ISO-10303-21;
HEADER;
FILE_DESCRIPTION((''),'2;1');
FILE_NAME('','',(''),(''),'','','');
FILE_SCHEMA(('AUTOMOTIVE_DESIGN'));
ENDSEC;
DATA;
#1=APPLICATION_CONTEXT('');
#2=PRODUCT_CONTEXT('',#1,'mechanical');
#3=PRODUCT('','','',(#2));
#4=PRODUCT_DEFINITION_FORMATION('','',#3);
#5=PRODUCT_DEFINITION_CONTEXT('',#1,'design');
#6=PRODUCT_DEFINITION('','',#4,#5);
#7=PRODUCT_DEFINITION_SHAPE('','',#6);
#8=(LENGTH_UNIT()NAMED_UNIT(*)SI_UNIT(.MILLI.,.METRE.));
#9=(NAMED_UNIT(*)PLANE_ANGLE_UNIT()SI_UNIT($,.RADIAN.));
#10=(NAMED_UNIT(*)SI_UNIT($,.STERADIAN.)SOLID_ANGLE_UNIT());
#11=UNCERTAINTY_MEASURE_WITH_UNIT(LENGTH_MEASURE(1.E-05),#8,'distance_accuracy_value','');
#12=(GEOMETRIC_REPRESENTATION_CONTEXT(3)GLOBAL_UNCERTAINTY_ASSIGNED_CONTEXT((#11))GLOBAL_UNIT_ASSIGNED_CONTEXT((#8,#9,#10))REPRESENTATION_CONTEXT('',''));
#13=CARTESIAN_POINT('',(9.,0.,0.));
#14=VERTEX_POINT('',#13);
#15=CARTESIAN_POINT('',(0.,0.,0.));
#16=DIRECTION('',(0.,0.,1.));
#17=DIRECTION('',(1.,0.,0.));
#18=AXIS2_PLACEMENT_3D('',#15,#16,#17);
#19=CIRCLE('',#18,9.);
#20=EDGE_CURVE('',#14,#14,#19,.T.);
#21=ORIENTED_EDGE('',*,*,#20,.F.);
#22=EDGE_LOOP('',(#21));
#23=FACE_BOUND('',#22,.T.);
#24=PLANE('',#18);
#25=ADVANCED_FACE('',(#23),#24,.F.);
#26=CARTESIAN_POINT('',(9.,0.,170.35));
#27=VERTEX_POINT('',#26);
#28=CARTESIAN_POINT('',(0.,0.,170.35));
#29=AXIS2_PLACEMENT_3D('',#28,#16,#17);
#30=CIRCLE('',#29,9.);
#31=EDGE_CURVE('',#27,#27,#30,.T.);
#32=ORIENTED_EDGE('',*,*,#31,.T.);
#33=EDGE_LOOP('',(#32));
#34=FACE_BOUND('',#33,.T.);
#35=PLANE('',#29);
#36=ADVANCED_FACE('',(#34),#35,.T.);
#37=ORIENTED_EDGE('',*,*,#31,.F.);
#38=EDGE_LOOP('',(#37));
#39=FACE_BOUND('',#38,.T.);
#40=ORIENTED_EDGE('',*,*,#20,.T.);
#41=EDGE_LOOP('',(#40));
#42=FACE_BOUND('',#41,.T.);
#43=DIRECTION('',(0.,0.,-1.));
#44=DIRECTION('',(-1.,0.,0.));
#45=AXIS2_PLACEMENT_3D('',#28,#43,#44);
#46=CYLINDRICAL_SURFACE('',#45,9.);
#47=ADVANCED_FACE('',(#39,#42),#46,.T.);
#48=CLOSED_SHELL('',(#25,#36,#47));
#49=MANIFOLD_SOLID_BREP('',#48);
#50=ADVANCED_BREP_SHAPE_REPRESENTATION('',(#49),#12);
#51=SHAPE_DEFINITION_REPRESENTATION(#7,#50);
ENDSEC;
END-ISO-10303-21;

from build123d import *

# Parameters (mm, degrees)
SKETCH_1_R      = 9
EXTRUDE_1_DEPTH = 170.35


with BuildPart() as part:
    # Эскиз1 → Вытянуть1 (new body)
    with BuildSketch(Plane.XY):
        Circle(SKETCH_1_R)
    extrude(amount=EXTRUDE_1_DEPTH)


solid = part.part
